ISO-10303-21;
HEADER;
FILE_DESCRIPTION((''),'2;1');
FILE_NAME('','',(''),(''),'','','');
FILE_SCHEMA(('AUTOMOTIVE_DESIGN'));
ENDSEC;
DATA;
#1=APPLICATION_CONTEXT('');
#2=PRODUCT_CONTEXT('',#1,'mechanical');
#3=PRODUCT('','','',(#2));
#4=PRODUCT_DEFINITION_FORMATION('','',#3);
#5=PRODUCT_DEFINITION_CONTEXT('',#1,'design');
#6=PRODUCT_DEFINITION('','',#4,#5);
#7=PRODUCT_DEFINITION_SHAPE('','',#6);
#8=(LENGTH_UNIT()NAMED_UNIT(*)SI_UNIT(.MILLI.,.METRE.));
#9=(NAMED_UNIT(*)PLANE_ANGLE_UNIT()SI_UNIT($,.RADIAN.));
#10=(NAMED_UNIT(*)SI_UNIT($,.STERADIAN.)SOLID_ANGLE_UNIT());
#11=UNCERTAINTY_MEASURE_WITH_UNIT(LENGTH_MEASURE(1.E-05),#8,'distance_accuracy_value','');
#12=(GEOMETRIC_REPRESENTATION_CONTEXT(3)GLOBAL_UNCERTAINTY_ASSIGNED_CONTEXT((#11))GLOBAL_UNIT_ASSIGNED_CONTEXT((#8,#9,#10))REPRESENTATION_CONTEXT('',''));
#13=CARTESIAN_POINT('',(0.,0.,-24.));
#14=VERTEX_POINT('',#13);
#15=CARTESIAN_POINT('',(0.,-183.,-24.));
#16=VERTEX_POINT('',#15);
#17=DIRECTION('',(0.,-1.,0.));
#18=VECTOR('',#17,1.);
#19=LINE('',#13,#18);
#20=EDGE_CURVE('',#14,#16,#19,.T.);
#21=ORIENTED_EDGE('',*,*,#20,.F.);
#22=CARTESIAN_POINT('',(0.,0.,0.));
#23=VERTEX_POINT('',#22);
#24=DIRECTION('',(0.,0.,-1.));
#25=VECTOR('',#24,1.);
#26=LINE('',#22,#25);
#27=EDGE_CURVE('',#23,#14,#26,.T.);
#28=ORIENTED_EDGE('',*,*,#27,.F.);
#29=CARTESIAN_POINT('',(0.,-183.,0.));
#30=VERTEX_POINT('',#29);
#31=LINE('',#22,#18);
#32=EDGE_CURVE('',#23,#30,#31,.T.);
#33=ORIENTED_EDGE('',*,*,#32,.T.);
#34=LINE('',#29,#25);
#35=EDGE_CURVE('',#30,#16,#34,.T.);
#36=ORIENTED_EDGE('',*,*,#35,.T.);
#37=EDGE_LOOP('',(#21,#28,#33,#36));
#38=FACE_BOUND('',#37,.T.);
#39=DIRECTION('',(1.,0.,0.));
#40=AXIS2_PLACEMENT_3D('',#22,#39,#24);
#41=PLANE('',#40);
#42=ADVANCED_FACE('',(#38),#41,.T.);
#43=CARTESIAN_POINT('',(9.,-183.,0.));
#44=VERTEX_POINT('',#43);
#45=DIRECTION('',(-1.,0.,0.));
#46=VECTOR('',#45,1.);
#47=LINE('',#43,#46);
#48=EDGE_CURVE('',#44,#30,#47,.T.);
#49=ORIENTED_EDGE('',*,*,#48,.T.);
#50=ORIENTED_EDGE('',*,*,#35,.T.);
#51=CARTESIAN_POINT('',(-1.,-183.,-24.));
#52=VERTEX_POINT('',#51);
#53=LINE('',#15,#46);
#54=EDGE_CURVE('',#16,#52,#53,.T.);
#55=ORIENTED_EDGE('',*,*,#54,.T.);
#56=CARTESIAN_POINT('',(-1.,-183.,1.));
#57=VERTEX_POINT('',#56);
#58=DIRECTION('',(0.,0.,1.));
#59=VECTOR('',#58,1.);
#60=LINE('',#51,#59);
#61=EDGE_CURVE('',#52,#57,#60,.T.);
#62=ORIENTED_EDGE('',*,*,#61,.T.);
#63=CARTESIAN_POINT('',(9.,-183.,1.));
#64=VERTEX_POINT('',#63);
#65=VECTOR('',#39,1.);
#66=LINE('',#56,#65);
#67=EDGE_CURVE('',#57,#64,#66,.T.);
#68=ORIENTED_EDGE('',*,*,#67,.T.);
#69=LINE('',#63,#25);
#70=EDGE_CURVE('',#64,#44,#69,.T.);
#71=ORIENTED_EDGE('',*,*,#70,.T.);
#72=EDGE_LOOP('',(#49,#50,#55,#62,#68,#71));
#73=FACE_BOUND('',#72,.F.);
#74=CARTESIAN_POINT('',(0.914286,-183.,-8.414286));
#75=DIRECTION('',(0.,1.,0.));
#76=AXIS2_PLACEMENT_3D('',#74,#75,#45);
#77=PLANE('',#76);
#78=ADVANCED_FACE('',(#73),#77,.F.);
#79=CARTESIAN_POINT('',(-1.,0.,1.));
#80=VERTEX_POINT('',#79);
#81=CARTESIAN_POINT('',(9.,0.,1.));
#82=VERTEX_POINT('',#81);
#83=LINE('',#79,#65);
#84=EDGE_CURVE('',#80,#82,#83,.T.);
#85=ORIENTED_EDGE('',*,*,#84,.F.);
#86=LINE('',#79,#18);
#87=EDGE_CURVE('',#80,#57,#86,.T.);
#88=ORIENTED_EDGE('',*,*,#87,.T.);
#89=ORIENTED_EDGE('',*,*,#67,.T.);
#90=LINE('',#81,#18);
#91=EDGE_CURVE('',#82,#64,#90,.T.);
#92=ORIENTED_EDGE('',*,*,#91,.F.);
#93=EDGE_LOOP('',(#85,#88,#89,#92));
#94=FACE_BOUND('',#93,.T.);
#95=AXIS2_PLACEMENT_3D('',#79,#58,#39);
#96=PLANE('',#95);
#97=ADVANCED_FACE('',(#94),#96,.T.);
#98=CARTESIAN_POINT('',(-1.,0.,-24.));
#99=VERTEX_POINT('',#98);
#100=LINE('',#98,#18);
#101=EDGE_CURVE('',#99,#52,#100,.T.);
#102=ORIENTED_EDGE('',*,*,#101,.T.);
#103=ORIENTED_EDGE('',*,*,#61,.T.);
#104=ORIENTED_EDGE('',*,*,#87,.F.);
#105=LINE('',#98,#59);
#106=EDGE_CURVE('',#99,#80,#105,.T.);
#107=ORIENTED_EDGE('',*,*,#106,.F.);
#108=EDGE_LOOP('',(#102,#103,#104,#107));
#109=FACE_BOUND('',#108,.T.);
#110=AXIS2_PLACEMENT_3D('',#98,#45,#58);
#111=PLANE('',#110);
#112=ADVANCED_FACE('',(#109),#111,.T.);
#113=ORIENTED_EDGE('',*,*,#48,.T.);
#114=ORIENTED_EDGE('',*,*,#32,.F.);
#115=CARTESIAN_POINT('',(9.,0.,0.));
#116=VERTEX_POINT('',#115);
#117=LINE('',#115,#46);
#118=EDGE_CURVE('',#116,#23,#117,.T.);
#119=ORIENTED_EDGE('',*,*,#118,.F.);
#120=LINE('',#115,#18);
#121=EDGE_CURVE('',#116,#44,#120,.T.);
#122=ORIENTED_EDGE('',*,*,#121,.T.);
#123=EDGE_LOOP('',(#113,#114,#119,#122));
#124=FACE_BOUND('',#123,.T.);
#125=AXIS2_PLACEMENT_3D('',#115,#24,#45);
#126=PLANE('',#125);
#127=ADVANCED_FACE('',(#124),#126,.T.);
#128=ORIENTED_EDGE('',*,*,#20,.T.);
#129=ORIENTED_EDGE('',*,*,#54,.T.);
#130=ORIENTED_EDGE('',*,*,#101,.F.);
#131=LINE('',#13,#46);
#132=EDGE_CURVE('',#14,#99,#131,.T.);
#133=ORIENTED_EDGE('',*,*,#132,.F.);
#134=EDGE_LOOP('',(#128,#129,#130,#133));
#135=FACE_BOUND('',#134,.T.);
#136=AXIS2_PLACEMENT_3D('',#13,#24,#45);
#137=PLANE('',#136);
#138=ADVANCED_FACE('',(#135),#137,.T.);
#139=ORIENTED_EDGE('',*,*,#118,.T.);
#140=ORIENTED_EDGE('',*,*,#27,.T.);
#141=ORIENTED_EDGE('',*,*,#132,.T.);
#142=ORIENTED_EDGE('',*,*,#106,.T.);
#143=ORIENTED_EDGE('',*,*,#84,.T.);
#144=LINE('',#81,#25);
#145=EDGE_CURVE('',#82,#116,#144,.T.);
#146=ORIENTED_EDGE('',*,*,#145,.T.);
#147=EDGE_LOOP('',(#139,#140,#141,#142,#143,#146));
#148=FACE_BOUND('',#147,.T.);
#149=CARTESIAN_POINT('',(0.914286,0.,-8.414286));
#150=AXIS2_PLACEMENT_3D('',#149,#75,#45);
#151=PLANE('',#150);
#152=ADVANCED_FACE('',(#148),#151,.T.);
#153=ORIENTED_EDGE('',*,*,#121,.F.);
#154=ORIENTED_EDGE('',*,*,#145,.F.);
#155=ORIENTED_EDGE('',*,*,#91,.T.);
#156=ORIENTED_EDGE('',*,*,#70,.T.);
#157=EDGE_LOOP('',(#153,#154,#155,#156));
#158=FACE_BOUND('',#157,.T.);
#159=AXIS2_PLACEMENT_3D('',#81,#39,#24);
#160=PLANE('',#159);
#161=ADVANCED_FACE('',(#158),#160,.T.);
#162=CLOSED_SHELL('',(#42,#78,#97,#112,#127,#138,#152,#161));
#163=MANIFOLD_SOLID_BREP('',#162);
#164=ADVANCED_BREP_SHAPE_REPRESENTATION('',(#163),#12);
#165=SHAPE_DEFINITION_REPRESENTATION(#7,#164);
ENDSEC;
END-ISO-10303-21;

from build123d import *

# Parameters (mm, degrees)
PAD_DEPTH = 183


with BuildPart() as part:
    # Sketch → Pad (new body)
    with BuildSketch(Plane.XZ):
        Polygon((9, 0), (0, 0), (0, -24), (-1, -24), (-1, 1), (9, 1), align=None)
    extrude(amount=PAD_DEPTH)


solid = part.part
